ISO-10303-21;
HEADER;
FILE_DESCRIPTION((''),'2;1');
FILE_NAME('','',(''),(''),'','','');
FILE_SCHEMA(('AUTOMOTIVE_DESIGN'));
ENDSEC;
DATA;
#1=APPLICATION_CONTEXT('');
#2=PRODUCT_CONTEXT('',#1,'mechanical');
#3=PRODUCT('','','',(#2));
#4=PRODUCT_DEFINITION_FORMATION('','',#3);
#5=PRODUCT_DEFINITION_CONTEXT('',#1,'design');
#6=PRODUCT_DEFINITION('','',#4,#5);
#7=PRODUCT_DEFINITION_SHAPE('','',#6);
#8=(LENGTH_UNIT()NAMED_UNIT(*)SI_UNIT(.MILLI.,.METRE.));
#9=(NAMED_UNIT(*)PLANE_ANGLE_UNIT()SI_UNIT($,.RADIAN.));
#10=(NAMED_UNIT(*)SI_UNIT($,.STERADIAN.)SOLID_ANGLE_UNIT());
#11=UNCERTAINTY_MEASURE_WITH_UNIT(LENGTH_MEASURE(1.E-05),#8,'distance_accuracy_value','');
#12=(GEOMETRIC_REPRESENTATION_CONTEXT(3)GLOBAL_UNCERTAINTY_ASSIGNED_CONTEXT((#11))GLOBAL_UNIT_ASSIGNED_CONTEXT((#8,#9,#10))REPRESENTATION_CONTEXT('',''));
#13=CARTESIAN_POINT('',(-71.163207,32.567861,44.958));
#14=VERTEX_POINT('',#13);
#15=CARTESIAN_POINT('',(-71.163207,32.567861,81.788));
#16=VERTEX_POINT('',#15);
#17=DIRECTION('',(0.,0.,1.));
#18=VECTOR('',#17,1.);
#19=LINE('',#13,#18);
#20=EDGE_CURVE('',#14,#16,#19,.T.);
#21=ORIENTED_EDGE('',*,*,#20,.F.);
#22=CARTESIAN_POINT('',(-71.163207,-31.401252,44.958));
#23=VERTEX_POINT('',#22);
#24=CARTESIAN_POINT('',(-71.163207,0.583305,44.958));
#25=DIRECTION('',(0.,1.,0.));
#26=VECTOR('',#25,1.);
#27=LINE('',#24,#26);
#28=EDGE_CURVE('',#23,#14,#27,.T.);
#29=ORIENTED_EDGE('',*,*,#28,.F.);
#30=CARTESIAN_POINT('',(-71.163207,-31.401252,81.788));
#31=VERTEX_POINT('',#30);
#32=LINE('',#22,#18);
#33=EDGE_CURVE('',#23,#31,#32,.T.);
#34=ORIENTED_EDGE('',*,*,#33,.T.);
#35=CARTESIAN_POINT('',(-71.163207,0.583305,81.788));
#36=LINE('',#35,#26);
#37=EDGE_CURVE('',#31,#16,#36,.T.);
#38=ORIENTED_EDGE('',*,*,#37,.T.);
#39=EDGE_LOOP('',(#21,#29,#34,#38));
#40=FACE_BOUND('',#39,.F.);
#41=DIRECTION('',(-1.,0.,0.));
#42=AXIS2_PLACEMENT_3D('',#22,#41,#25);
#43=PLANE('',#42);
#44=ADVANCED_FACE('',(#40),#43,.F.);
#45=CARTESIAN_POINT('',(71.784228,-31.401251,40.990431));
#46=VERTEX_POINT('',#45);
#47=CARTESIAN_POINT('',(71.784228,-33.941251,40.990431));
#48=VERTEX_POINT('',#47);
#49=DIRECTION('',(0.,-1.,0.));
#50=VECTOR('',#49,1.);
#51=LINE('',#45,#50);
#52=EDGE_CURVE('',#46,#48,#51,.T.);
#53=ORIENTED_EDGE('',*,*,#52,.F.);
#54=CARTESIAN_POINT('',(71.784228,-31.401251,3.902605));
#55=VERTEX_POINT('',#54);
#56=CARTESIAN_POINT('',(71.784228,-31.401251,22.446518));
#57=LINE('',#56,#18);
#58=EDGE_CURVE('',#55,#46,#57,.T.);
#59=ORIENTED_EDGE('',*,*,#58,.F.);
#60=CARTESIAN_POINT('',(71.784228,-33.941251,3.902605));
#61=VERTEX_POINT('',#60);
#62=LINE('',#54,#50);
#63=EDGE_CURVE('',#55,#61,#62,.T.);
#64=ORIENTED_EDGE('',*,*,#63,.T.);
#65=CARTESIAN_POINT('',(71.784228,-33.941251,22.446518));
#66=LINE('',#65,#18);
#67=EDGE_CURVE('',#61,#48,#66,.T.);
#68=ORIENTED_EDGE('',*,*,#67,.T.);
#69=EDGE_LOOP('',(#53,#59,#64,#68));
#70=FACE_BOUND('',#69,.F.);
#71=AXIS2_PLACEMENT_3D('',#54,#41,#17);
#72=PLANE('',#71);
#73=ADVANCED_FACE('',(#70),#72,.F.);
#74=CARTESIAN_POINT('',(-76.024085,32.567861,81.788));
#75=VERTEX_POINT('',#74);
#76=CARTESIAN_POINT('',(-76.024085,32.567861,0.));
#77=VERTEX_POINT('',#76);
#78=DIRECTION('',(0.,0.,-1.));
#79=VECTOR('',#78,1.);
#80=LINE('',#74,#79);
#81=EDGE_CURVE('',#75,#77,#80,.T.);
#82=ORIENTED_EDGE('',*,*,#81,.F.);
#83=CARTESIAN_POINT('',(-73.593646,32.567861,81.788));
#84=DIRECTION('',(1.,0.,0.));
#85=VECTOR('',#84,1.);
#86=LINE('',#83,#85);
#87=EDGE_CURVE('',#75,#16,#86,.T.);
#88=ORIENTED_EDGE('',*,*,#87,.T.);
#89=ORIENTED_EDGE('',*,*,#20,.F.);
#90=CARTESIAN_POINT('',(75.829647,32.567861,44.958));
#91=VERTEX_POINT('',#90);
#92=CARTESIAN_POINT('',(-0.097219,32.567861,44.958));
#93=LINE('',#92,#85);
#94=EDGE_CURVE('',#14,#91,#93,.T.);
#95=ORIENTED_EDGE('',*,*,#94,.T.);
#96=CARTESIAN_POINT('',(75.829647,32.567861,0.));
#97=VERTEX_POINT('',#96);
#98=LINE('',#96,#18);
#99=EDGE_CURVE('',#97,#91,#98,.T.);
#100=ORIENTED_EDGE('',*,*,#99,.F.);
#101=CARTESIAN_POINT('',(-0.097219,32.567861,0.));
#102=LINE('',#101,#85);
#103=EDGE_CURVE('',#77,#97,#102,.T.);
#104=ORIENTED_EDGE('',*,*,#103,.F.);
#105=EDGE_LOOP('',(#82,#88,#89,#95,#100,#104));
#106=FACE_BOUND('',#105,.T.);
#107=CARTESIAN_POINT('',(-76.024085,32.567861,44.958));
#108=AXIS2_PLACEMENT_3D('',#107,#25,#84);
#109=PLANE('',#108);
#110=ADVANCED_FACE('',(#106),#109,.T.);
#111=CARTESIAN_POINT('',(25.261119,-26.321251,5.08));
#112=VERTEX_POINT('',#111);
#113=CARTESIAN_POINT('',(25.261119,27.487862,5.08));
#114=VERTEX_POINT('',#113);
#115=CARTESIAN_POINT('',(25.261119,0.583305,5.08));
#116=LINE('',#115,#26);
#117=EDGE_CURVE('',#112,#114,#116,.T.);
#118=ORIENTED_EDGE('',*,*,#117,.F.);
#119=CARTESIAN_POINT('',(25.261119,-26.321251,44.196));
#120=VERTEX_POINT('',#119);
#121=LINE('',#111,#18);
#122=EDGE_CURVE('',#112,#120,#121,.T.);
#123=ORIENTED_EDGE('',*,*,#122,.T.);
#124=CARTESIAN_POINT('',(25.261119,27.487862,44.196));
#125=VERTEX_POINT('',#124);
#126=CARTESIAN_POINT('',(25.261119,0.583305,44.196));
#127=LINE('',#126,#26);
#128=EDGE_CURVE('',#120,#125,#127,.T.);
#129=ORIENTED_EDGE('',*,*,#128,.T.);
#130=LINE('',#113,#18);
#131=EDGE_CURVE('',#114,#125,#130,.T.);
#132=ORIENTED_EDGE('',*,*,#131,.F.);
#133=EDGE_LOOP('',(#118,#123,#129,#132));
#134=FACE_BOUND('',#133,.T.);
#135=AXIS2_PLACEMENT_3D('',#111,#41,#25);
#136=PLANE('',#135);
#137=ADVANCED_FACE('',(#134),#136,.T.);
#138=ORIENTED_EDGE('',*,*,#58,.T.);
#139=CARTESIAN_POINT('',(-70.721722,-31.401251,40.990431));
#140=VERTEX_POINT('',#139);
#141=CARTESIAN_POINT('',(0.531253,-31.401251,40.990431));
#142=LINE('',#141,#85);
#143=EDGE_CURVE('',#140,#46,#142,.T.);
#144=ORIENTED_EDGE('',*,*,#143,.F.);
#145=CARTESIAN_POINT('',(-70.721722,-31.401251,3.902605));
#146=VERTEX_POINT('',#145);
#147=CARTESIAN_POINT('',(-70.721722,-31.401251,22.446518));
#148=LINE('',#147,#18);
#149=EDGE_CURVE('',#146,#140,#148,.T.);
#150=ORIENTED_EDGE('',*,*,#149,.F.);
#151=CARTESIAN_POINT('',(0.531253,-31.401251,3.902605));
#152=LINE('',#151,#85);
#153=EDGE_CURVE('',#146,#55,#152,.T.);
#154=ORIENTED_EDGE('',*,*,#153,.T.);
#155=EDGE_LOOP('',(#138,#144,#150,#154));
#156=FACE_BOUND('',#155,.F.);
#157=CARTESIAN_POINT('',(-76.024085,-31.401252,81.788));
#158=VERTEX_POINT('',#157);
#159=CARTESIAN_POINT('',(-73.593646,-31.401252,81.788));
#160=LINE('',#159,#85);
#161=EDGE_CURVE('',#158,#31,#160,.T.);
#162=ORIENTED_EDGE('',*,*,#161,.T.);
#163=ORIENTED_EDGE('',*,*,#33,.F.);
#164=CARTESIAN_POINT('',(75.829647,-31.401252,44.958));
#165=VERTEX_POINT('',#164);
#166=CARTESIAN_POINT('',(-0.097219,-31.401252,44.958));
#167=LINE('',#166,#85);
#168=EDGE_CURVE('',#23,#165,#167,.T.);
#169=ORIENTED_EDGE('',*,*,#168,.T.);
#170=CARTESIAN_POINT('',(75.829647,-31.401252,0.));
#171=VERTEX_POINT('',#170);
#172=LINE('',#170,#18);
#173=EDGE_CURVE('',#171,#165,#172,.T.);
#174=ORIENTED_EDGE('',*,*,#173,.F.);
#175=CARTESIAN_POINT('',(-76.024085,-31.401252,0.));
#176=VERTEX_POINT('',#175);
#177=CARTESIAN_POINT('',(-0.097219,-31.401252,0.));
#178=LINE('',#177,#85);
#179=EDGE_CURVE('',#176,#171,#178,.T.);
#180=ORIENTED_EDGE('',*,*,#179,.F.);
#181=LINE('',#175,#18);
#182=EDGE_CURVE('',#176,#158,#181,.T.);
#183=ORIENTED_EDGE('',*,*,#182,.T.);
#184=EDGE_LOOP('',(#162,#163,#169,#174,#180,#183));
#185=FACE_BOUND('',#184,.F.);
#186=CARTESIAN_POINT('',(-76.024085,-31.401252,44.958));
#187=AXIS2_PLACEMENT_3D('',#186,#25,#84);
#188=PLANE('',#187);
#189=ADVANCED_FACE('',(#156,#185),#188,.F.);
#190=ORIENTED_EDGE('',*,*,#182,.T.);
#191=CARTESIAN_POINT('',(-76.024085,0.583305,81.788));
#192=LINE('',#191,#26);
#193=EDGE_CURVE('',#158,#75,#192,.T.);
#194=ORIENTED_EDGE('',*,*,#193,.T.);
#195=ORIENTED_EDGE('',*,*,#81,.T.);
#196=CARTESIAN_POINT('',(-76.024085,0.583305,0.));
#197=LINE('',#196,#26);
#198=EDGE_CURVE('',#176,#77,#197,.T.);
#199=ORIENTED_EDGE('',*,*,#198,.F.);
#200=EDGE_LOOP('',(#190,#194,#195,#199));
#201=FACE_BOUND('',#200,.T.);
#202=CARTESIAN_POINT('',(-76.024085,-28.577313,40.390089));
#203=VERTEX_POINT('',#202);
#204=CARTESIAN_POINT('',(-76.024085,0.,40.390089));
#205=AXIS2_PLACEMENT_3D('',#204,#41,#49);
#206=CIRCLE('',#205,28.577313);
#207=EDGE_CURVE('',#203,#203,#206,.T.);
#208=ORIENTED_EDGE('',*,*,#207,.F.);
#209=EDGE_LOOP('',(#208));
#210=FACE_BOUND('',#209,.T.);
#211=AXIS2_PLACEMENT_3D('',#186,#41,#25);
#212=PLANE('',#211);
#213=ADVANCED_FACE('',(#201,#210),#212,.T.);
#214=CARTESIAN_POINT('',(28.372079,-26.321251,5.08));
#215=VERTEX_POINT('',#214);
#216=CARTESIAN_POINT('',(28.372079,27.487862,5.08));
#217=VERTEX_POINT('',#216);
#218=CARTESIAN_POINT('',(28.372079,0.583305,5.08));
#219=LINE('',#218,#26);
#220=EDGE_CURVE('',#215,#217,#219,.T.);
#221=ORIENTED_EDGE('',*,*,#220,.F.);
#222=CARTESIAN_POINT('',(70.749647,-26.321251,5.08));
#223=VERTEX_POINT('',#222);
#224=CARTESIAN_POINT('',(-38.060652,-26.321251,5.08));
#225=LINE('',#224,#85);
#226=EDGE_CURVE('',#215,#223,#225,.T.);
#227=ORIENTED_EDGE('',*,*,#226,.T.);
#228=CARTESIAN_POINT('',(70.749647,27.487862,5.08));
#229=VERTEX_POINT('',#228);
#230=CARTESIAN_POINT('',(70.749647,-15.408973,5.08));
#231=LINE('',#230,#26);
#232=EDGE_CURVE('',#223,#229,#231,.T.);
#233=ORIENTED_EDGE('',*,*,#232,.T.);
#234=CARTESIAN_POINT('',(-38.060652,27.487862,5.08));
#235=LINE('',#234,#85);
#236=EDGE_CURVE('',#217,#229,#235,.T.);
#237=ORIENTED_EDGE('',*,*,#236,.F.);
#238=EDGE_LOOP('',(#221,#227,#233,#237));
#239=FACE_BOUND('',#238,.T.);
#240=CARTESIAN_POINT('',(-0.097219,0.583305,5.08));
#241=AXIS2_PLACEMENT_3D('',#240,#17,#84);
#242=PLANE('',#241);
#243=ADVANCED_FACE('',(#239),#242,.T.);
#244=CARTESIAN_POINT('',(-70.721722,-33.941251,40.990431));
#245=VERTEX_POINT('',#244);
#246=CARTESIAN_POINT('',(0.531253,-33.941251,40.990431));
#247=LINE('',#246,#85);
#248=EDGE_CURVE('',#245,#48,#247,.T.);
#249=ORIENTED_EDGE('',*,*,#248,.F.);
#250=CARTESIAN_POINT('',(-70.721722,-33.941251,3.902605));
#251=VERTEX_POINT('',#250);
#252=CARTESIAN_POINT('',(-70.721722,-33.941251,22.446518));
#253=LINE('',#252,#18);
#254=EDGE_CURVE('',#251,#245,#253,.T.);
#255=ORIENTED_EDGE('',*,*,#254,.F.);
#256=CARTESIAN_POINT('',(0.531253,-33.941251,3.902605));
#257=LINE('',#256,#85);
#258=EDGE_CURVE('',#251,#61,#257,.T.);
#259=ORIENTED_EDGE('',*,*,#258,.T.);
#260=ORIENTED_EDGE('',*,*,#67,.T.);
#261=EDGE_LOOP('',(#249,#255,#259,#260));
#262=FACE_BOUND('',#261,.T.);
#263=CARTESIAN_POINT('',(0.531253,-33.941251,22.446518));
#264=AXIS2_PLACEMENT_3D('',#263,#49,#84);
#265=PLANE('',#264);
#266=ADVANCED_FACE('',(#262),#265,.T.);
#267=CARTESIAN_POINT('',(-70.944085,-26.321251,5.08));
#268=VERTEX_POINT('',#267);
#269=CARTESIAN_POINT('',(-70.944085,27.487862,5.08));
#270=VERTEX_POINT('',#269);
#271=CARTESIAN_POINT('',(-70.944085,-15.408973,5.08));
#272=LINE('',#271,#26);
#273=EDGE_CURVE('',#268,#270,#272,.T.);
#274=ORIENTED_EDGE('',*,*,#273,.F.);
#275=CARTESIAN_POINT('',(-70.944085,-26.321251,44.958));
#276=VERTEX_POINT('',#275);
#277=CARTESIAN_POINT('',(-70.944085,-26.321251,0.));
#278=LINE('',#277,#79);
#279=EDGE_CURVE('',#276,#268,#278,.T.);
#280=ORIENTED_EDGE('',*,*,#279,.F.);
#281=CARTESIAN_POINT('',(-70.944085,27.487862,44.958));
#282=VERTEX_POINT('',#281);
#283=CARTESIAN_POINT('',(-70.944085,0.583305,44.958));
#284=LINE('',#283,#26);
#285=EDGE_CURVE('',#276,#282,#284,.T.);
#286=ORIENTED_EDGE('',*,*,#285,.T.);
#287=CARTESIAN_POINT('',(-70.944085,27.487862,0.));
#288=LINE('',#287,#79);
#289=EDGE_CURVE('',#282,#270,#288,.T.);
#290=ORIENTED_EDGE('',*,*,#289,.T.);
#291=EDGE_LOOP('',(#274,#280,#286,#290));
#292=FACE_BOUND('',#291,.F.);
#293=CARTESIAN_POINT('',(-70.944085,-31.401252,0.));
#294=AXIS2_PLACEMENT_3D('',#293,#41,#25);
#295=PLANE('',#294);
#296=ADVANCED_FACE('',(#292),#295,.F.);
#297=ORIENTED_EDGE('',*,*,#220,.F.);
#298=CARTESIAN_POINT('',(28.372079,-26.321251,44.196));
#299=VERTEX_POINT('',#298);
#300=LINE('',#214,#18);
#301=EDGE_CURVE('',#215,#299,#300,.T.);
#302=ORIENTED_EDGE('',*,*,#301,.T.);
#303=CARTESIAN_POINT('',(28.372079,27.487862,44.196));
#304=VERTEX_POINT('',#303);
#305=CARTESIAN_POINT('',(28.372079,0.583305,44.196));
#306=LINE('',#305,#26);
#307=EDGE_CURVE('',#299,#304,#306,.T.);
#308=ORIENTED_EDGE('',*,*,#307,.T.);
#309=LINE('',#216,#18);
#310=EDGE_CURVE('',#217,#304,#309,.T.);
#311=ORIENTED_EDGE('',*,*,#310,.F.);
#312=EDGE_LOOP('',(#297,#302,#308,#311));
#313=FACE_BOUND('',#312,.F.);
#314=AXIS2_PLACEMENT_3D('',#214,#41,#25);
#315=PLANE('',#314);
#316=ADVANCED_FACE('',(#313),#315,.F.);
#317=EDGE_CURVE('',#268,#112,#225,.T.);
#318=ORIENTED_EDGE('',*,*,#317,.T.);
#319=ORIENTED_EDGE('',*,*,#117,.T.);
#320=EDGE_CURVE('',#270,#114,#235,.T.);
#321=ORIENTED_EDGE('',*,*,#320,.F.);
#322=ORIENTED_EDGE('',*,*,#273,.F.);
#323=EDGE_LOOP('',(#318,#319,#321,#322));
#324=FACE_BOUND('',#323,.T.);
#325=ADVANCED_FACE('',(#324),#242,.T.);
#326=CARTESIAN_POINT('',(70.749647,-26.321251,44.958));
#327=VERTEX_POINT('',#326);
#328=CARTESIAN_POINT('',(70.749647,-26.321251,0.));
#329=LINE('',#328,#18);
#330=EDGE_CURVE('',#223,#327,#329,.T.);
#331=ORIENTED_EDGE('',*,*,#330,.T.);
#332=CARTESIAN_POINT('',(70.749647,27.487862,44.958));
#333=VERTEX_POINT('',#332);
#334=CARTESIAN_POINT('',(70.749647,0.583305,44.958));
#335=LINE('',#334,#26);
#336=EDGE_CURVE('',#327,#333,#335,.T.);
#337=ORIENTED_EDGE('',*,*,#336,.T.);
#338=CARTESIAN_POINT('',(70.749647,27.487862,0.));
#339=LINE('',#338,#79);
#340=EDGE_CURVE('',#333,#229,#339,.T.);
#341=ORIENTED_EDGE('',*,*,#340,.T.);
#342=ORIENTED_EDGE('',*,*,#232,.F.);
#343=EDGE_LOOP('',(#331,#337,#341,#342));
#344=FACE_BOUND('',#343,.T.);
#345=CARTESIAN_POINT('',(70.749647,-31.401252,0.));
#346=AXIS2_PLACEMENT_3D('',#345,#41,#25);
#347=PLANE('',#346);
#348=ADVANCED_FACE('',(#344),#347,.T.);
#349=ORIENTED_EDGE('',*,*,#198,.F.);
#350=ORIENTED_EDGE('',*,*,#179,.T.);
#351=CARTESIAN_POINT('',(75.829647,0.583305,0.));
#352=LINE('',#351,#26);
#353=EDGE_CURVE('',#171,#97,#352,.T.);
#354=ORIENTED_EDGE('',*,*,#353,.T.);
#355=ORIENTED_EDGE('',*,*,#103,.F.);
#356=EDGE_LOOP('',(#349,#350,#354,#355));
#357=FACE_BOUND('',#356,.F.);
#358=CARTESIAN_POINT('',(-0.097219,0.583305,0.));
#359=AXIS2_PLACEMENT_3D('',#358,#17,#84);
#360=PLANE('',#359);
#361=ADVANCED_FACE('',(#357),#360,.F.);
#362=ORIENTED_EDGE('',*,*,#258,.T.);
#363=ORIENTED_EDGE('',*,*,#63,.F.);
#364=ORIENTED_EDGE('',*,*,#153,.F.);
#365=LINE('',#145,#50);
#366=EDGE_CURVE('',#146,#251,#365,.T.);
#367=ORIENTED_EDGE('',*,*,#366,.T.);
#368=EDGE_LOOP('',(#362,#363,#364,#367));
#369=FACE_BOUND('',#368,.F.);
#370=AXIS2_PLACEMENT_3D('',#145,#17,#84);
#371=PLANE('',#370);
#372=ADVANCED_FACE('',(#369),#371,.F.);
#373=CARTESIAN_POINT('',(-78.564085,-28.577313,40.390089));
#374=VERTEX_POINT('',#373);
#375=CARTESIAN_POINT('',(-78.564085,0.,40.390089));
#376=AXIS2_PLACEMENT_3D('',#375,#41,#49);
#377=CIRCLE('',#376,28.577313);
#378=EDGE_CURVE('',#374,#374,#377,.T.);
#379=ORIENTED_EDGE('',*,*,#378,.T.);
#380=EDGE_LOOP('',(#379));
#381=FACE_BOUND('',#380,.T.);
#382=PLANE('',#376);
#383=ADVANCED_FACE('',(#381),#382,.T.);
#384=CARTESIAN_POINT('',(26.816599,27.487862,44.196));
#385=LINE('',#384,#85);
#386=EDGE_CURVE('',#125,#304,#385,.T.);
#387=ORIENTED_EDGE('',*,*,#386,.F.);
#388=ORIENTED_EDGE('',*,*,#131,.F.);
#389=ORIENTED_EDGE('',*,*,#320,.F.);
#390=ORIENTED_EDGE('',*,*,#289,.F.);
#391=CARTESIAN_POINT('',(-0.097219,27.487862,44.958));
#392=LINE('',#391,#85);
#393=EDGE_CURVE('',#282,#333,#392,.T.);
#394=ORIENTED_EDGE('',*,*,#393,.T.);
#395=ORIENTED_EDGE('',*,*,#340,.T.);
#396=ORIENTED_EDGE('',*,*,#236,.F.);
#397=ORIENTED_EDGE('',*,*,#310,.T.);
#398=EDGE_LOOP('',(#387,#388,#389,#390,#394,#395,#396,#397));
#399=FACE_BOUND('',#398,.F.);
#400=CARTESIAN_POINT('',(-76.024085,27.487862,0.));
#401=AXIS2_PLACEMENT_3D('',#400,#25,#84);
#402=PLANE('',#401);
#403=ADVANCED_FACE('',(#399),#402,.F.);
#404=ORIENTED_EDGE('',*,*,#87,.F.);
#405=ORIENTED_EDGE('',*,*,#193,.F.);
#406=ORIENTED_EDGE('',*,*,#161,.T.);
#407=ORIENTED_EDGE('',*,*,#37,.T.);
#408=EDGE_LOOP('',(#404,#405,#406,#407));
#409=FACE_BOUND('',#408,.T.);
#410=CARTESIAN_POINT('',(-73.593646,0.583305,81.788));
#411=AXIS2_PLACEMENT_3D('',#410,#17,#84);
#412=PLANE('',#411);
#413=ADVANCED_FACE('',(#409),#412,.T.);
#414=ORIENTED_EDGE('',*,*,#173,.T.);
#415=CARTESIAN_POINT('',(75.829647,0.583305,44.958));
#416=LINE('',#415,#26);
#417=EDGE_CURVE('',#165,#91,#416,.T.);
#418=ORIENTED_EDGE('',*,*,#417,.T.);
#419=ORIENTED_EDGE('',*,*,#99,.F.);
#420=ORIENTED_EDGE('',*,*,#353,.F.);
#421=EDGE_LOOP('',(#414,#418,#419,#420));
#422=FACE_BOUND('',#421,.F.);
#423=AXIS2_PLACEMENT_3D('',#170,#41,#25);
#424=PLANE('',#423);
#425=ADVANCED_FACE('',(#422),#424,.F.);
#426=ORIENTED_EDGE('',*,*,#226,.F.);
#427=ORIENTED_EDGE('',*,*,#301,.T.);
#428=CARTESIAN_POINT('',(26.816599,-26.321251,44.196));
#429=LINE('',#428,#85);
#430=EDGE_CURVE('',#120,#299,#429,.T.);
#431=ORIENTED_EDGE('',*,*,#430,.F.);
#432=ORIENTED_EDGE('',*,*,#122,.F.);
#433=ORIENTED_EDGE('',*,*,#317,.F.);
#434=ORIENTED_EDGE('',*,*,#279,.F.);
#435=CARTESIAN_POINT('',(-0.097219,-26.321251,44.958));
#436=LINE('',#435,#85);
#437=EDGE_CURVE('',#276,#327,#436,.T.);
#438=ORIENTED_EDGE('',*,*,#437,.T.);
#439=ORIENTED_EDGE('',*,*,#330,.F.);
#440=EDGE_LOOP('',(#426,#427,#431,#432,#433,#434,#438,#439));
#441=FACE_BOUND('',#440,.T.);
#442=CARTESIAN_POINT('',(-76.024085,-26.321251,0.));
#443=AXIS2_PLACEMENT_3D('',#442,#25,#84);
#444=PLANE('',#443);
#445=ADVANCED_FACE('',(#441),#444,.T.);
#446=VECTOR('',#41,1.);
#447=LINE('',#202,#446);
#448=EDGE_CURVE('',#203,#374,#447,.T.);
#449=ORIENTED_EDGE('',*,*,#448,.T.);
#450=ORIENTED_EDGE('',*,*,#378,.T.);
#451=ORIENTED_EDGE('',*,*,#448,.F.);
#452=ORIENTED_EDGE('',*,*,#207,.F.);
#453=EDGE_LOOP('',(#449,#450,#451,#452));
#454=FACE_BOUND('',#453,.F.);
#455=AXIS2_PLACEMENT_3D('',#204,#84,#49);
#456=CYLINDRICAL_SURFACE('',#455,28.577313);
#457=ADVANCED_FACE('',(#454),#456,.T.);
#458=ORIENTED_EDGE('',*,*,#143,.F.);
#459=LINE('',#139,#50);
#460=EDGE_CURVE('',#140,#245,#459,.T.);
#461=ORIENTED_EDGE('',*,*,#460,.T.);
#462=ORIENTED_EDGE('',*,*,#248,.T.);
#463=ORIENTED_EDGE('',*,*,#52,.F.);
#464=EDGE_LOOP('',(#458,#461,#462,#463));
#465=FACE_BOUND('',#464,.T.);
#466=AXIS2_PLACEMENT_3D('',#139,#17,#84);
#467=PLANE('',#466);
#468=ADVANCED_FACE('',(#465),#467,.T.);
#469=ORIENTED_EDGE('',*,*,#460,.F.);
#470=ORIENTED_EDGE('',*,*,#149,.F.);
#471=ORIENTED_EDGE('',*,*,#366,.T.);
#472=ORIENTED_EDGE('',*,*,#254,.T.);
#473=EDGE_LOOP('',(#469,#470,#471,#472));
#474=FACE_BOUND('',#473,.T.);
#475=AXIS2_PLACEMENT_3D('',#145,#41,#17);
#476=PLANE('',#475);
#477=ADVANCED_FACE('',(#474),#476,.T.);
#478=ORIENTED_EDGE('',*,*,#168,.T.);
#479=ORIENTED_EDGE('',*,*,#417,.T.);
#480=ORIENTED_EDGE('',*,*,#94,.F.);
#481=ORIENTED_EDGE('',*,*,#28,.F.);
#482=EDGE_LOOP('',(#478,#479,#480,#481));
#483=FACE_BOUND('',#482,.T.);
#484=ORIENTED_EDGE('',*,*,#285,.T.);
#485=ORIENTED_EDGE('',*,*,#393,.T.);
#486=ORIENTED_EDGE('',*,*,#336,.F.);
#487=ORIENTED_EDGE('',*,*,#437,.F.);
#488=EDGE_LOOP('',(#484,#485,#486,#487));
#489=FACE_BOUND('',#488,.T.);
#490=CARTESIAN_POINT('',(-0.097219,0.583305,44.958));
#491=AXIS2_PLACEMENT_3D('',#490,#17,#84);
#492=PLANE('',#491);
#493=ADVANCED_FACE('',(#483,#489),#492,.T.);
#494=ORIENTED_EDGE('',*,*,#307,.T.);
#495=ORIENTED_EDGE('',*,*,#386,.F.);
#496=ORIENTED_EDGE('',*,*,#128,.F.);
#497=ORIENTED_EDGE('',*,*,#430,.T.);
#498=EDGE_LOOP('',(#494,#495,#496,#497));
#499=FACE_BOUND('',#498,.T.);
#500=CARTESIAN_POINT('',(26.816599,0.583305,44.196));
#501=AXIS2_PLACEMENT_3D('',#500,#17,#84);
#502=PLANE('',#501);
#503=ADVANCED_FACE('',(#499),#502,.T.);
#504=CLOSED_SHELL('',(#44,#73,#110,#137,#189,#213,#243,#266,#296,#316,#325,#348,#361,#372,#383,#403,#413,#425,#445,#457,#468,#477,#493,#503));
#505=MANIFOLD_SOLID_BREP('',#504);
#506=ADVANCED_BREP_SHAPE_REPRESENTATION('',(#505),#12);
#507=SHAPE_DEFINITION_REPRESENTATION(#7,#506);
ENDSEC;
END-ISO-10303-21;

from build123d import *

# Parameters (mm, degrees)
F0_W      = 151.853732
F0_H      = 63.969113
F1_DEPTH  = 44.958
F2_T      = -5.08
F3_W      = 4.860878
F3_H      = 63.969113
F4_DEPTH  = 36.83
F5_R      = 28.577313
F6_DEPTH  = 2.54
F7_W      = 142.505951
F7_H      = 37.087826
F8_DEPTH  = 2.54
F9_W      = 3.11096
F9_H      = 53.809113
F10_DEPTH = 39.116


with BuildPart() as f1:
    # F0 (on Top) → F1 (new body)
    with BuildSketch(Plane.XY):
        with Locations((-0.097219, 0.583305)):
            Rectangle(F0_W, F0_H)
    extrude(amount=F1_DEPTH)

    # F2
    f2_openings = [f1.faces().sort_by_distance(p)[0] for p in [
        (-0.097219, 0.583306, 44.958),
    ]]
    offset(amount=F2_T, openings=f2_openings)

    # F3 (on face) → F4 (join)
    with BuildSketch(Plane.XY.offset(44.958)):
        with Locations((-73.593646, 0.583305)):
            Rectangle(F3_W, F3_H)
    extrude(amount=F4_DEPTH)

    # F5 (on face) → F6 (join)
    with BuildSketch(Plane(origin=(-76.024085, 0, 0), x_dir=(0, -1, 0), z_dir=(-1, 0, 0))):
        with Locations((0, 40.390089)):
            Circle(F5_R)
    extrude(amount=F6_DEPTH)

    # F7 (on face) → F8 (join)
    with BuildSketch(Plane.XZ.offset(31.401251)):
        with Locations((0.531253, 22.446518)):
            Rectangle(F7_W, F7_H)
    extrude(amount=F8_DEPTH)

    # F9 (on face) → F10 (join)
    with BuildSketch(Plane.XY.offset(5.08)):
        with Locations((26.816599, 0.583305)):
            Rectangle(F9_W, F9_H)
    extrude(amount=F10_DEPTH)


solid = f1.part
